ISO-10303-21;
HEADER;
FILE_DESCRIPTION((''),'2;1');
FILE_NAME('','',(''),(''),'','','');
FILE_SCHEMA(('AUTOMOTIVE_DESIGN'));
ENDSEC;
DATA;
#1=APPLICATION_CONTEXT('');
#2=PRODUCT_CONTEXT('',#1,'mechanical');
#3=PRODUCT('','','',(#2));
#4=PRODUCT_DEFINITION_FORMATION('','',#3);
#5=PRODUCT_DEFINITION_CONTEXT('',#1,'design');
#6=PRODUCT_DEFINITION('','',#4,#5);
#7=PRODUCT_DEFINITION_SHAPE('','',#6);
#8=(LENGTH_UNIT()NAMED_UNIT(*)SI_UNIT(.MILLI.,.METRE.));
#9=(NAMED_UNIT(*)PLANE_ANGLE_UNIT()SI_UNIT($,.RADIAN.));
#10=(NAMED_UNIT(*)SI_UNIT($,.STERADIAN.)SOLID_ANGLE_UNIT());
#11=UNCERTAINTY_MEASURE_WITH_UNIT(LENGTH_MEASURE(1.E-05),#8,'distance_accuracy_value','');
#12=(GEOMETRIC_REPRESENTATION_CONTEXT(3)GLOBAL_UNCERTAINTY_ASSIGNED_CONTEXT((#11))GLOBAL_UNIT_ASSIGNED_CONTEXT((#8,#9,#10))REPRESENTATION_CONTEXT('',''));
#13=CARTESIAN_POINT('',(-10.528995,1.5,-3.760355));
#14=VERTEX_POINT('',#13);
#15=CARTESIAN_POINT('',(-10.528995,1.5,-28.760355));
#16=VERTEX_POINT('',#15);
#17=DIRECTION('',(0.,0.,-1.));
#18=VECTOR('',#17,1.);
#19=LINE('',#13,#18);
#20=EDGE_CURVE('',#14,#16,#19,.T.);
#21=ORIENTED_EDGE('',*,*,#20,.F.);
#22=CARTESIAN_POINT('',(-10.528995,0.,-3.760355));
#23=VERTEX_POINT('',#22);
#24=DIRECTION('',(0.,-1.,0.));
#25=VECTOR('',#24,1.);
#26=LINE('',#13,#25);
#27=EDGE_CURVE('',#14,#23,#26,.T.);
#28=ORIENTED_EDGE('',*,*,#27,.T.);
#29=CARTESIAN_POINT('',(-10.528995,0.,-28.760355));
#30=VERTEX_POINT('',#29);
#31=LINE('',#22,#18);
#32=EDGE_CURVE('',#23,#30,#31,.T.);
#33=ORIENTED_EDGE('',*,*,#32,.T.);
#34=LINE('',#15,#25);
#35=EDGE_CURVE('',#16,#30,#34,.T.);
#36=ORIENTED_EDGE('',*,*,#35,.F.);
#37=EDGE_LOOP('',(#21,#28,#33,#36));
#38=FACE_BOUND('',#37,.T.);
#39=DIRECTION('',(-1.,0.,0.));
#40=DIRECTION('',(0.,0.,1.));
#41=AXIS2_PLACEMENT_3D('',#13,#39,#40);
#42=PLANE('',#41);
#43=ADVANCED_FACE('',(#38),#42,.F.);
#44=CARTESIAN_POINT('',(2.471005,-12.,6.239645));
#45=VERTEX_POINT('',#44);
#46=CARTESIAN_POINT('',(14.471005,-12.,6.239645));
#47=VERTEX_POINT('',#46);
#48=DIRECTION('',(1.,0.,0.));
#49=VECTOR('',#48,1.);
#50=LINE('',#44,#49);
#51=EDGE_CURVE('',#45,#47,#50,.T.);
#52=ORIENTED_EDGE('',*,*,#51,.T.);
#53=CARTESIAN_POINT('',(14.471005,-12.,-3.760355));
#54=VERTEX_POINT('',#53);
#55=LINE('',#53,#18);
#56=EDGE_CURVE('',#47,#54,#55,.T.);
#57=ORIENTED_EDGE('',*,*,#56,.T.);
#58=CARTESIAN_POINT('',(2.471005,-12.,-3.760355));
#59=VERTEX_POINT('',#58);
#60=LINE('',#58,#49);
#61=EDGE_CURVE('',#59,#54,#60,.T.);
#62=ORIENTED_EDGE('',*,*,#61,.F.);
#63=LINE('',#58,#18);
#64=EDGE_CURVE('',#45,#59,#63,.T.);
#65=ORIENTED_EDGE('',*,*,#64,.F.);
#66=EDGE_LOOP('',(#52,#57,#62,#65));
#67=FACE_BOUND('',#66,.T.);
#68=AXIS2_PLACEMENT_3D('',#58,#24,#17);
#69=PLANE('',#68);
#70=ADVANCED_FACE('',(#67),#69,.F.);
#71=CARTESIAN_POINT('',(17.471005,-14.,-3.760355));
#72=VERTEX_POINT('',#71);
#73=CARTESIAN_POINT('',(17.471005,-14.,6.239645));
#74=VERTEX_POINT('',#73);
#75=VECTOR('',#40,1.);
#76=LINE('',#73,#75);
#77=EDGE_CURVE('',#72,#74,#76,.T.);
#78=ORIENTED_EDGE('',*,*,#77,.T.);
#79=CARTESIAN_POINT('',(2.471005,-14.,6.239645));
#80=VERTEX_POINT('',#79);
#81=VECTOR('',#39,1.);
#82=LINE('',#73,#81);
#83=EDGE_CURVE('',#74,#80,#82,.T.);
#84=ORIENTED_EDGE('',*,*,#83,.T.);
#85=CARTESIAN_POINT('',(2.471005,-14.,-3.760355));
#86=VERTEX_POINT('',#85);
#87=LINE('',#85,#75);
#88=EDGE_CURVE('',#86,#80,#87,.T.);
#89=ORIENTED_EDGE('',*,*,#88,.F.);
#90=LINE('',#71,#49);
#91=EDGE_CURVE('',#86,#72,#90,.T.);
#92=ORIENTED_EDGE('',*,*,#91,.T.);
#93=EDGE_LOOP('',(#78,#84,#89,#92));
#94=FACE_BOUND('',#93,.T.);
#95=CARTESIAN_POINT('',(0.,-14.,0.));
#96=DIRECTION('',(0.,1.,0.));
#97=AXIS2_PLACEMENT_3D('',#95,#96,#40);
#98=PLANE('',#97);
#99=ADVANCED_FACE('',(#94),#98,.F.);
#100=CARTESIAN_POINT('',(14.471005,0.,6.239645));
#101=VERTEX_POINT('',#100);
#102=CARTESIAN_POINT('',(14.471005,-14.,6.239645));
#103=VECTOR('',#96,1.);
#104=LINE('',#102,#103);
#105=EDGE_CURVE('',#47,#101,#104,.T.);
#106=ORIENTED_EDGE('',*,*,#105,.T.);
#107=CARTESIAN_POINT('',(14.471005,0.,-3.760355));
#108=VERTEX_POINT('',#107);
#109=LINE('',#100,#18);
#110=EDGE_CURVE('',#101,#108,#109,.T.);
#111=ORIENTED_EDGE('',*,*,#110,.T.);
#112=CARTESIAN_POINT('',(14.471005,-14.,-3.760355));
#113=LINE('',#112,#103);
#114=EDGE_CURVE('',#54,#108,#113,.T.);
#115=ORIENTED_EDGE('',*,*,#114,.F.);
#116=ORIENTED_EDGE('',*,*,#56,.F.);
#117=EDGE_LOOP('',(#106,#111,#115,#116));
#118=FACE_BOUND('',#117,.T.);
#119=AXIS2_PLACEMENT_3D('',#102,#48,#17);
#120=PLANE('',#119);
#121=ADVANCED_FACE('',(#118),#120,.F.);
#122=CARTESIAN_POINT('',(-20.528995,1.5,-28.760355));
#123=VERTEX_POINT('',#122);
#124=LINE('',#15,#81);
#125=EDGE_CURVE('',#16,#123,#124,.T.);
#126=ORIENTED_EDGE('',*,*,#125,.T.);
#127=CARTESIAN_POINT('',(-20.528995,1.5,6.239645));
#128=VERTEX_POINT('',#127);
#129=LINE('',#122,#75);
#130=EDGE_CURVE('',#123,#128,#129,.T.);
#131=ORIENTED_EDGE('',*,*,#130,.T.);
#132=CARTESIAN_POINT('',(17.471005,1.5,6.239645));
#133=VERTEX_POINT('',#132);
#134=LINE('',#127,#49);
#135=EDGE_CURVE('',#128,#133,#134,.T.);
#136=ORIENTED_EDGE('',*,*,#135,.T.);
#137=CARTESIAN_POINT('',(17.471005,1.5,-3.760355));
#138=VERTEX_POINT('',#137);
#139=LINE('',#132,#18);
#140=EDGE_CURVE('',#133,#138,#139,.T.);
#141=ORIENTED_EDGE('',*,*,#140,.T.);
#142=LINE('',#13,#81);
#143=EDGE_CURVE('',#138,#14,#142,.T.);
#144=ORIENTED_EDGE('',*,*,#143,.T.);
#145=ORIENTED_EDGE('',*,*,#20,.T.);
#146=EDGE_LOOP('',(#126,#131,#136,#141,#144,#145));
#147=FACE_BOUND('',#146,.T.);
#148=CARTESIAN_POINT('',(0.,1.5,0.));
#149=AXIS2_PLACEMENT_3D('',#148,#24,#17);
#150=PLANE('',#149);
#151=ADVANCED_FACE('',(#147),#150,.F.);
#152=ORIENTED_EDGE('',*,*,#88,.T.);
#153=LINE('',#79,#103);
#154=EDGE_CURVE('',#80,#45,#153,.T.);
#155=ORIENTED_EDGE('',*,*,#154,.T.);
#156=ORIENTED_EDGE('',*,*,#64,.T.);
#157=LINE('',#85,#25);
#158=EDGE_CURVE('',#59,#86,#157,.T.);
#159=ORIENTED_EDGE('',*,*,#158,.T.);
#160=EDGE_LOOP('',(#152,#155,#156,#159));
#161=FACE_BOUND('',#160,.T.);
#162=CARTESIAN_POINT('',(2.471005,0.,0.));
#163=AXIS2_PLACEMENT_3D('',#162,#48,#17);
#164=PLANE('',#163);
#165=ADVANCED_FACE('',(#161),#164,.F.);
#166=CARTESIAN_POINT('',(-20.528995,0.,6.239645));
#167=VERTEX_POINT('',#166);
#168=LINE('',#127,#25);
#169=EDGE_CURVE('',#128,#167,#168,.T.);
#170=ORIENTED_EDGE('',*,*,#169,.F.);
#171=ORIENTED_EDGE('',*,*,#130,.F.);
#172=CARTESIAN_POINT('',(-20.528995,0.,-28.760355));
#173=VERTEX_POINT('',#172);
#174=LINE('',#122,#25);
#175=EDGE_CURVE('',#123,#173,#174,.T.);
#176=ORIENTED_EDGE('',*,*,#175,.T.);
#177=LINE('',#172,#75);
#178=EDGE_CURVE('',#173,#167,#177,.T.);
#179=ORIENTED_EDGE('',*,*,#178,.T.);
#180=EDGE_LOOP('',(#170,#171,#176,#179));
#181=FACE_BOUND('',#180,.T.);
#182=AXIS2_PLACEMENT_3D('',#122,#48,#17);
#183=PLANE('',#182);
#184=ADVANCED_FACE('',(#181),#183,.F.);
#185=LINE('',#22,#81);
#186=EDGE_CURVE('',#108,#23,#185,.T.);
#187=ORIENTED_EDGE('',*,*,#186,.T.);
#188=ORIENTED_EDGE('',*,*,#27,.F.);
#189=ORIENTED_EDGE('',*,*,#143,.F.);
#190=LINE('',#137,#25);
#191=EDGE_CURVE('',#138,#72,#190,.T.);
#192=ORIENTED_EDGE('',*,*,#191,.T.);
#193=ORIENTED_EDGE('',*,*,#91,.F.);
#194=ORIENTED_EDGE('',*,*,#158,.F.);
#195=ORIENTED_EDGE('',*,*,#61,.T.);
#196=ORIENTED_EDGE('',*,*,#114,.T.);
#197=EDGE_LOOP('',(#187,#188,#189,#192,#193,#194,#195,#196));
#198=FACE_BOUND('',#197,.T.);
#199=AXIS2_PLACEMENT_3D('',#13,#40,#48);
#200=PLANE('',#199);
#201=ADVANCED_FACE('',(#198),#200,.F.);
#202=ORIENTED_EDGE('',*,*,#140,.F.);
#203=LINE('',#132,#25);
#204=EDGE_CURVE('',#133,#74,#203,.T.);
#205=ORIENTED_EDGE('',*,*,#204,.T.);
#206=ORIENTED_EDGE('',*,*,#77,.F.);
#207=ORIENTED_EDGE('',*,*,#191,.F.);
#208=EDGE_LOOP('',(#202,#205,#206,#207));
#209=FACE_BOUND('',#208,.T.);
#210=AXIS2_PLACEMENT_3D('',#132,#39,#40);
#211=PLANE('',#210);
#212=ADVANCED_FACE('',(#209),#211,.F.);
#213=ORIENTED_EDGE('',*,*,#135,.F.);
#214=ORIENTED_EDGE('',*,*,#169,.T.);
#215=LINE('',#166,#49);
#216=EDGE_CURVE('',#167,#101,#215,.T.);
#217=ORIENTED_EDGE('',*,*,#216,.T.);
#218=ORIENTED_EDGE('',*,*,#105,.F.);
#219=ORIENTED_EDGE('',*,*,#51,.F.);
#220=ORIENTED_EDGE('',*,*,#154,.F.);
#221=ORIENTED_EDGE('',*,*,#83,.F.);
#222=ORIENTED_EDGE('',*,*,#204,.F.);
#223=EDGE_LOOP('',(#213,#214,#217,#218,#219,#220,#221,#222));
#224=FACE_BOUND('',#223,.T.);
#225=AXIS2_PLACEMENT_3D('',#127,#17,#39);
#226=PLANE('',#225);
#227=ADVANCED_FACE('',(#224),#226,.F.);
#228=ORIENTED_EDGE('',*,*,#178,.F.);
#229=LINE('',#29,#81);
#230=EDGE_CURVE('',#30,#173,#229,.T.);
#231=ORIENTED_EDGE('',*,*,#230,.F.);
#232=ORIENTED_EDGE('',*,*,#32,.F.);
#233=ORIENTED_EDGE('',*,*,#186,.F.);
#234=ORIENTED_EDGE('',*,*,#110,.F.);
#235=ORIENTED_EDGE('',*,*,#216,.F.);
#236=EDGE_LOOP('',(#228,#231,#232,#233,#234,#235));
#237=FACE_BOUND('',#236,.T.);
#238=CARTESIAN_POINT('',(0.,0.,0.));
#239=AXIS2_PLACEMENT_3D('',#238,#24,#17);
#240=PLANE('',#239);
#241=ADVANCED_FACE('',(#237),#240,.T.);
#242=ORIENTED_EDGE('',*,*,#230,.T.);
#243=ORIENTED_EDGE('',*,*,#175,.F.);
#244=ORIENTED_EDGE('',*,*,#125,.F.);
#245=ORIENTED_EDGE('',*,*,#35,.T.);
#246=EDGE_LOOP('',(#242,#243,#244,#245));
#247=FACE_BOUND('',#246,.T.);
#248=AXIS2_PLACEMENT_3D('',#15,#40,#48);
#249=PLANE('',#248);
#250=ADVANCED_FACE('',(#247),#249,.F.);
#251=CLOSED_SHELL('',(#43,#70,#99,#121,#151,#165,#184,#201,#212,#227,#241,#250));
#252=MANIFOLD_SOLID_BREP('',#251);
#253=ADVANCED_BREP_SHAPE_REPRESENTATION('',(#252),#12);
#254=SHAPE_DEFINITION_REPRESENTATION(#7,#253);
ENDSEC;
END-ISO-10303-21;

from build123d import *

# Parameters (mm, degrees)
BOSS_EXTRUDE1_DEPTH = 1.5
SKETCH2_W           = 3
SKETCH2_H           = 10
BOSS_EXTRUDE2_DEPTH = 14
SKETCH3_W           = 10
SKETCH3_H           = 2
BOSS_EXTRUDE3_DEPTH = 12


with BuildPart() as part:
    # Sketch1 → Boss-Extrude1 (new body)
    with BuildSketch(Plane(origin=(0, 0, 0), x_dir=(1, 0, 0), z_dir=(0, 1, 0))):
        Polygon((-10.528994658, 3.760355235), (-10.528994658, 28.760355235), (-20.528994658, 28.760355235), (-20.528994658, -6.239644765), (17.471005342, -6.239644765), (17.471005342, 3.760355235), align=None)
    extrude(amount=BOSS_EXTRUDE1_DEPTH)

    # Sketch2 → Boss-Extrude2 (add)
    with BuildSketch(Plane.XZ):
        with Locations((15.971005342, 1.239644765)):
            Rectangle(SKETCH2_W, SKETCH2_H)
    extrude(amount=BOSS_EXTRUDE2_DEPTH)

    # Sketch3 → Boss-Extrude3 (add)
    with BuildSketch(Plane.ZY.offset(-14.471005342)):
        with Locations((1.239644765, -13)):
            Rectangle(SKETCH3_W, SKETCH3_H)
    extrude(amount=BOSS_EXTRUDE3_DEPTH)


solid = part.part
